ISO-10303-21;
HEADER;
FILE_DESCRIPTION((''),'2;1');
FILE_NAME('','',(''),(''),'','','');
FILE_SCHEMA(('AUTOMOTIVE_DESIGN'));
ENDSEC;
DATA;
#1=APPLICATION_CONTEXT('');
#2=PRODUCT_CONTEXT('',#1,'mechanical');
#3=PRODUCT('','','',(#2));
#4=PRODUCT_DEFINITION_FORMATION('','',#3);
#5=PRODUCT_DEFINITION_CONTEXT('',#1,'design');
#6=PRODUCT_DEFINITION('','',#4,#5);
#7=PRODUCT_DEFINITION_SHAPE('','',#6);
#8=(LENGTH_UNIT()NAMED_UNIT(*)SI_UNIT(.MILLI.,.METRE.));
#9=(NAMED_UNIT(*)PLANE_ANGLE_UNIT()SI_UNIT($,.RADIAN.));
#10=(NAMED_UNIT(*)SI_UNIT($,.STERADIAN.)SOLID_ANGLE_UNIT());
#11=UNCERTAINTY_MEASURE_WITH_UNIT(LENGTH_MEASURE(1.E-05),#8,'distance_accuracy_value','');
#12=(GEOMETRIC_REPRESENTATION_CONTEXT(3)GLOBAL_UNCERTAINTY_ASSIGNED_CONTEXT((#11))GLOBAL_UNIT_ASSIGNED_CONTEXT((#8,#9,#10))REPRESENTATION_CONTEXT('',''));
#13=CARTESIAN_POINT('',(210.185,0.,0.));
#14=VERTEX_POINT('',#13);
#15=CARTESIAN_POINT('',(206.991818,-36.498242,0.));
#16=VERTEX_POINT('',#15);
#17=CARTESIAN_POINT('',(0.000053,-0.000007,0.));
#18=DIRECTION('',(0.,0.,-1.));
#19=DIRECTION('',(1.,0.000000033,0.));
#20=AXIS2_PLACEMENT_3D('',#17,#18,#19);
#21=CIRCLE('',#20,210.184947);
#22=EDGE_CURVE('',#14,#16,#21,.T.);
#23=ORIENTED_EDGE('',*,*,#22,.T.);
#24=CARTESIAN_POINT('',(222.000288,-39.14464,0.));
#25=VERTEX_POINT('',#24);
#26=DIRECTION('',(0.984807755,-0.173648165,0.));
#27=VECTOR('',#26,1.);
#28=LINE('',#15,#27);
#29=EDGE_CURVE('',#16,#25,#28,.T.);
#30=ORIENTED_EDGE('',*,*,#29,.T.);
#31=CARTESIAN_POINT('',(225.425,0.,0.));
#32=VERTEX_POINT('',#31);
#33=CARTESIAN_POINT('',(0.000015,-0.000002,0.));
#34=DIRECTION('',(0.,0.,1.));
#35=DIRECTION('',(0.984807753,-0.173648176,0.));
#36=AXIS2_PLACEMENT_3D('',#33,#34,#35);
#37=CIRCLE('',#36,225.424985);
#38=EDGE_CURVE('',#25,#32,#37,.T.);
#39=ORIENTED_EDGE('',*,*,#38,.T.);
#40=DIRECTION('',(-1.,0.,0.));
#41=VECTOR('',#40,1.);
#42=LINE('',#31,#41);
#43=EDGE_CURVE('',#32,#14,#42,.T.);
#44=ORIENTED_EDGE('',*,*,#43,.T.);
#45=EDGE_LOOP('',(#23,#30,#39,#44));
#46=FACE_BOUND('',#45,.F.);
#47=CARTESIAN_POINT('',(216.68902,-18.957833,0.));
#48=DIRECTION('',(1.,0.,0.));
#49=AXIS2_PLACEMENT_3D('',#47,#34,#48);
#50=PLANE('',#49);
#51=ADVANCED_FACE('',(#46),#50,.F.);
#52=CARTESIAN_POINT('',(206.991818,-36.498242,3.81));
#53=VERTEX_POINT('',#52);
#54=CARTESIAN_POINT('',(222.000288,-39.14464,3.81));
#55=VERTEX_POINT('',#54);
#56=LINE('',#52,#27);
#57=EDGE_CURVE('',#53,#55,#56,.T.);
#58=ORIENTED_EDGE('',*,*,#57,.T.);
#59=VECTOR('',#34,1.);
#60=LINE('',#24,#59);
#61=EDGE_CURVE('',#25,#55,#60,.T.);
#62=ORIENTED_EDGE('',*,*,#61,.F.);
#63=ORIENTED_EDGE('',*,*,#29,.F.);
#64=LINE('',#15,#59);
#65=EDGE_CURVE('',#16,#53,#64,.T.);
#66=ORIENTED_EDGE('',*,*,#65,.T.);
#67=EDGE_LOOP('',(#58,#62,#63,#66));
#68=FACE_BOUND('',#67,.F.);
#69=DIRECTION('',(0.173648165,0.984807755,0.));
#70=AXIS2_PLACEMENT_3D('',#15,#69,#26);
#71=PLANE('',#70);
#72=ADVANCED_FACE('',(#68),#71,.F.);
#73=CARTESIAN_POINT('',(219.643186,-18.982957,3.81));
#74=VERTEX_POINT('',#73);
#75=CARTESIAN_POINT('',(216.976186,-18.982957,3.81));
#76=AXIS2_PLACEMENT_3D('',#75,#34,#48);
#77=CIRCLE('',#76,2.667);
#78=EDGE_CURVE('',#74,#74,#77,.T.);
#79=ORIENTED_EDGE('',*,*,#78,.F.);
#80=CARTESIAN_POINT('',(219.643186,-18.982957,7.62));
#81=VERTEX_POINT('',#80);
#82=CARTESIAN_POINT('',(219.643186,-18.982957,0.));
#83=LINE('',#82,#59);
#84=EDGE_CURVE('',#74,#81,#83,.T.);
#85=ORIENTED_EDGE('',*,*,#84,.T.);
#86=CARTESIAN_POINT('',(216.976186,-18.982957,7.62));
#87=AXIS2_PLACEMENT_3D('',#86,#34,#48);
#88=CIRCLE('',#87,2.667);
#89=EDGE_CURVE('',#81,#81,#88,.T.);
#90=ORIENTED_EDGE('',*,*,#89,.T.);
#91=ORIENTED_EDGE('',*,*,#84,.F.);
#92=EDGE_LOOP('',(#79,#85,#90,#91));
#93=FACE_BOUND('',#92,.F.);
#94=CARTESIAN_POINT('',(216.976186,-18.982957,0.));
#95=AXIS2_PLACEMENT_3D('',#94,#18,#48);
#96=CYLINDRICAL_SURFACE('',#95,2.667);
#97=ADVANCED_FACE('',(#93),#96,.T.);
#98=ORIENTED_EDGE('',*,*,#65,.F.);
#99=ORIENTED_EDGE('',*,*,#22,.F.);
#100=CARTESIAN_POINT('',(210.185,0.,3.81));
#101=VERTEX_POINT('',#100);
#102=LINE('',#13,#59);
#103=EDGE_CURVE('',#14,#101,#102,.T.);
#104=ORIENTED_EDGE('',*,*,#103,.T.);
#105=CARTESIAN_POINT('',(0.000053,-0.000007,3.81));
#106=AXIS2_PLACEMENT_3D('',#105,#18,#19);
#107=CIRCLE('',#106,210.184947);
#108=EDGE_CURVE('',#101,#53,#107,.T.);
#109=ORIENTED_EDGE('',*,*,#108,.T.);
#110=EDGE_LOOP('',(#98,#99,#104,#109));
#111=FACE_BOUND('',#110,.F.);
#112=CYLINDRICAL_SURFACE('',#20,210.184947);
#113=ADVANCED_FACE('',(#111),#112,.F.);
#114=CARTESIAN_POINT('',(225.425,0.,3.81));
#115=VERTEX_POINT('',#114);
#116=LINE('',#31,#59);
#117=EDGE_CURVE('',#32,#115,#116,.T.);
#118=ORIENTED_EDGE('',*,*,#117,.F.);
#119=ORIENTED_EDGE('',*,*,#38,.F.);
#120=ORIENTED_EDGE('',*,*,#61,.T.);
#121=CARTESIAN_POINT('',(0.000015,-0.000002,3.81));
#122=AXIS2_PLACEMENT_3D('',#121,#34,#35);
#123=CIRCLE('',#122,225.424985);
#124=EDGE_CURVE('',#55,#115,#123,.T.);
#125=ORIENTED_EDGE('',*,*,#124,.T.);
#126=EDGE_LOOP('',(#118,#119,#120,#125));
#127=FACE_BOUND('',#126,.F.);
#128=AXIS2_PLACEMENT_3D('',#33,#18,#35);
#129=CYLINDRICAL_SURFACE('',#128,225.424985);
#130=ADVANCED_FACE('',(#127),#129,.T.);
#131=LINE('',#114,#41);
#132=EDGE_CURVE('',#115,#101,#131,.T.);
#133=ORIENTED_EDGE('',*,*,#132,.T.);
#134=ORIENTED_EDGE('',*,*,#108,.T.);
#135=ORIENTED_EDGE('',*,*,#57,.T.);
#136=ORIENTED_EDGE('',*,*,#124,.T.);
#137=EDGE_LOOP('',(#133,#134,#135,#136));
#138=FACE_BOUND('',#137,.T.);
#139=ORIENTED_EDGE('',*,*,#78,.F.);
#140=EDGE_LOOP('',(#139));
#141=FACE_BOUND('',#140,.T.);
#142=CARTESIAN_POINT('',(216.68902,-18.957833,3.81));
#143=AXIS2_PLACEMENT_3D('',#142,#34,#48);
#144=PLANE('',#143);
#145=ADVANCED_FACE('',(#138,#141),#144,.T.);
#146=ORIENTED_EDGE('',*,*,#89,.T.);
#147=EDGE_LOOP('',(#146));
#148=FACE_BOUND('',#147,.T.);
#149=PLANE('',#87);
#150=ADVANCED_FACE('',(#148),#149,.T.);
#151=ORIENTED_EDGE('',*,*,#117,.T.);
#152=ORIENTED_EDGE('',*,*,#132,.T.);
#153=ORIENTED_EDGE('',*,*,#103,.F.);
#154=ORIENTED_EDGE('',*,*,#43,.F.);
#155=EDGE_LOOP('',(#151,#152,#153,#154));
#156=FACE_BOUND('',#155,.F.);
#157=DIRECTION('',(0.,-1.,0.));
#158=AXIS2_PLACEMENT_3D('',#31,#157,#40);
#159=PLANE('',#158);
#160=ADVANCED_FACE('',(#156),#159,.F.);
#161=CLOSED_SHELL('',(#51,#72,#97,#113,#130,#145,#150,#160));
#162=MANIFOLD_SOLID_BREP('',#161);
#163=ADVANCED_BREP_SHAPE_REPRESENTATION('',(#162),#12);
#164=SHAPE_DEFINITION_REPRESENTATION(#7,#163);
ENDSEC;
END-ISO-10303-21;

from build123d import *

# Parameters (mm, degrees)
F0_R     = 2.667
F1_DEPTH = 3.81
F2_DEPTH = 7.62


with BuildPart() as f1:
    # F0 (on Top) → F1 (new body)
    with BuildSketch(Plane.XY):
        with BuildLine():
            ThreePointArc((222.000288, -39.14464), (224.56719, -19.647083), (225.425, 0))
            Line((225.425, 0), (210.185, 0))
            ThreePointArc((210.185, 0), (209.385183, -18.31883), (206.991818, -36.498242))
            Line((206.991818, -36.498242), (222.000288, -39.14464))
        make_face()
        with Locations((216.976186, -18.982957)):
            Circle(F0_R, mode=Mode.SUBTRACT)
    extrude(amount=F1_DEPTH)

    # F0 (on Top) → F2 (join)
    with BuildSketch(Plane.XY):
        with Locations((216.976186, -18.982957)):
            Circle(F0_R)
    extrude(amount=F2_DEPTH)


solid = f1.part
